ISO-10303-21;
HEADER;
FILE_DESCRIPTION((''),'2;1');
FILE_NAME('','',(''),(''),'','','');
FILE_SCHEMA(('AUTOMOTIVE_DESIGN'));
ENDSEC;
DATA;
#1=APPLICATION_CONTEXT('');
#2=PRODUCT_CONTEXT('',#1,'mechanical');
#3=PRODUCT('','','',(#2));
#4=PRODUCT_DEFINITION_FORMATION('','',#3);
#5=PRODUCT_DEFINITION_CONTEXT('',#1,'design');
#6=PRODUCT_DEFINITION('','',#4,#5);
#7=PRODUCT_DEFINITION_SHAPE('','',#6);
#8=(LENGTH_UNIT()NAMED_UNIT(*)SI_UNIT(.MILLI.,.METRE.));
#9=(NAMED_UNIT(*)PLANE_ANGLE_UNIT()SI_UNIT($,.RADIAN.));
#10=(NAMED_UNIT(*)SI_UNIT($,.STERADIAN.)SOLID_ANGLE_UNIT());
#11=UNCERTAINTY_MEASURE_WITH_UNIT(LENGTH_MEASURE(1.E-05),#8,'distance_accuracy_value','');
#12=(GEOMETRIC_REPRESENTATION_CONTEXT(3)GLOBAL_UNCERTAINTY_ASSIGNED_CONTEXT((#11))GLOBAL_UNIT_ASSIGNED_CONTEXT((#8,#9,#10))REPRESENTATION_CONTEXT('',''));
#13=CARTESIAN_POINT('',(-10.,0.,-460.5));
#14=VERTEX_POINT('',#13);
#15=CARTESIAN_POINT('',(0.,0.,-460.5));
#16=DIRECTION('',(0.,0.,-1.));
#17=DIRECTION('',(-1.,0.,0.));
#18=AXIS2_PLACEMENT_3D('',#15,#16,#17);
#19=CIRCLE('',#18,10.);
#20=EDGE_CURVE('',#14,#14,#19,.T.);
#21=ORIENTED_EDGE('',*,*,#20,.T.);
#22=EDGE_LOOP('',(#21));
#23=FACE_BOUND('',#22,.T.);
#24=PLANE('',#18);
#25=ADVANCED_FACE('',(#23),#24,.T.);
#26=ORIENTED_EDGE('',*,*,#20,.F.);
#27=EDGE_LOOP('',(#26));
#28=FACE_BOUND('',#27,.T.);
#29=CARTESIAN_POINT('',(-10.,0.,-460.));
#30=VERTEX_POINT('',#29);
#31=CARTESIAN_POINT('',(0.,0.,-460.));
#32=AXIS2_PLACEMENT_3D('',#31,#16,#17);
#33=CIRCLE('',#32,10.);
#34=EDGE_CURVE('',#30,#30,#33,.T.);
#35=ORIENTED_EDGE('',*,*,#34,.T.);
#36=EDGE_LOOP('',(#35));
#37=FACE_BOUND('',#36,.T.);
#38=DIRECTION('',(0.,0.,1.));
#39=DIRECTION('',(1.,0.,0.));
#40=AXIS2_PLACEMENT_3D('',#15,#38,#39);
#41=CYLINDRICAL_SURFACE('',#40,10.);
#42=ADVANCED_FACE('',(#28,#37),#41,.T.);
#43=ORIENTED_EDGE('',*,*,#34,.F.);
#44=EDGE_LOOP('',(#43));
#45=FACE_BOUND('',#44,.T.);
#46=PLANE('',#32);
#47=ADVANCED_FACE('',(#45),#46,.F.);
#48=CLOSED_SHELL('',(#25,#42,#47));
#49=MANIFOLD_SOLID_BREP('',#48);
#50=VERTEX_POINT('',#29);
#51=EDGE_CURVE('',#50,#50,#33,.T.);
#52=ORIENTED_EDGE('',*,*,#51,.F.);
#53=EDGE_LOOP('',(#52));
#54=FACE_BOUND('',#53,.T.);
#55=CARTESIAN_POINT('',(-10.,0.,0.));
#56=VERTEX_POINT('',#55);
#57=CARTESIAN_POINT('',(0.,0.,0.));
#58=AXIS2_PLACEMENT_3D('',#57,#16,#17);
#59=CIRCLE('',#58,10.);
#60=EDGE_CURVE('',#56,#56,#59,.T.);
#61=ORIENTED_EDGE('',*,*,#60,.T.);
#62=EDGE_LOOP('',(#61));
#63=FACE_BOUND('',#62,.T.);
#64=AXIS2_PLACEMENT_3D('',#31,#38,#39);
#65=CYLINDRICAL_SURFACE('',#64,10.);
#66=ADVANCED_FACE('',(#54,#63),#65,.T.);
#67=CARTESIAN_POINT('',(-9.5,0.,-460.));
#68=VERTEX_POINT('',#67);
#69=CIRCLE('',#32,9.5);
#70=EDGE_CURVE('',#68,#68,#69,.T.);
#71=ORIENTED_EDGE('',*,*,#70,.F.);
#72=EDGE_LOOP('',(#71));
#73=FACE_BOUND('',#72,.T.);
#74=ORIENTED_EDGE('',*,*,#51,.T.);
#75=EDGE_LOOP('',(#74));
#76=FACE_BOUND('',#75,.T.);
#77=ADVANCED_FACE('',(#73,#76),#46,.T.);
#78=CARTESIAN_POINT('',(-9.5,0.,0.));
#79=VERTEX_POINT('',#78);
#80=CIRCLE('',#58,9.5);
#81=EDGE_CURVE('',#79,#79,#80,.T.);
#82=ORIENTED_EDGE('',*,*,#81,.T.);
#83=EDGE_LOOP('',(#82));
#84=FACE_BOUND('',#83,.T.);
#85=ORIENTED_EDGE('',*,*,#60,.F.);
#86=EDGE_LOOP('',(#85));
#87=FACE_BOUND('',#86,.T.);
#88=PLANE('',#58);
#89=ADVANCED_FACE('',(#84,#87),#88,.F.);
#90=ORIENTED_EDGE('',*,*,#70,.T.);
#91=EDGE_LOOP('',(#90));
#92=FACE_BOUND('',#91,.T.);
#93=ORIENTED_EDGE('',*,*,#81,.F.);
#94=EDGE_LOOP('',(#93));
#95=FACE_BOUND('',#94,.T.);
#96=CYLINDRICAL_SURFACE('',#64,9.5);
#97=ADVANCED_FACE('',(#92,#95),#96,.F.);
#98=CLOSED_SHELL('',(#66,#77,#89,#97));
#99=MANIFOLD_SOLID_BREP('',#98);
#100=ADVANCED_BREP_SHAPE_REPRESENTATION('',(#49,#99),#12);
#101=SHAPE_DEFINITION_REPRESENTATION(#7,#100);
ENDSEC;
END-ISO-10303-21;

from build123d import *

# Parameters (mm, degrees)
SKETCH11_R              = 10
SKETCH11_R_2            = 9.5
PIPE_26_9_X_3_2_1_DEPTH = 460
SKETCH13_R              = 10
BOSS_EXTRUDE2_DEPTH     = 0.5


with BuildPart() as part:
    # Sketch11 → Pipe 26.9 X 3.2(1) (new body)
    with BuildSketch(Plane(origin=(0, 0, 0), x_dir=(-1, 0, 0), z_dir=(0, 0, -1))):
        Circle(SKETCH11_R)
        Circle(SKETCH11_R_2, mode=Mode.SUBTRACT)
    extrude(amount=PIPE_26_9_X_3_2_1_DEPTH)


with BuildPart() as body_2:
    # Sketch13 → Boss-Extrude2 (new body)
    with BuildSketch(Plane(origin=(0, 0, -460), x_dir=(-1, 0, 0), z_dir=(0, 0, -1))):
        Circle(SKETCH13_R)
    extrude(amount=BOSS_EXTRUDE2_DEPTH)


solid = Compound([part.part, body_2.part])
